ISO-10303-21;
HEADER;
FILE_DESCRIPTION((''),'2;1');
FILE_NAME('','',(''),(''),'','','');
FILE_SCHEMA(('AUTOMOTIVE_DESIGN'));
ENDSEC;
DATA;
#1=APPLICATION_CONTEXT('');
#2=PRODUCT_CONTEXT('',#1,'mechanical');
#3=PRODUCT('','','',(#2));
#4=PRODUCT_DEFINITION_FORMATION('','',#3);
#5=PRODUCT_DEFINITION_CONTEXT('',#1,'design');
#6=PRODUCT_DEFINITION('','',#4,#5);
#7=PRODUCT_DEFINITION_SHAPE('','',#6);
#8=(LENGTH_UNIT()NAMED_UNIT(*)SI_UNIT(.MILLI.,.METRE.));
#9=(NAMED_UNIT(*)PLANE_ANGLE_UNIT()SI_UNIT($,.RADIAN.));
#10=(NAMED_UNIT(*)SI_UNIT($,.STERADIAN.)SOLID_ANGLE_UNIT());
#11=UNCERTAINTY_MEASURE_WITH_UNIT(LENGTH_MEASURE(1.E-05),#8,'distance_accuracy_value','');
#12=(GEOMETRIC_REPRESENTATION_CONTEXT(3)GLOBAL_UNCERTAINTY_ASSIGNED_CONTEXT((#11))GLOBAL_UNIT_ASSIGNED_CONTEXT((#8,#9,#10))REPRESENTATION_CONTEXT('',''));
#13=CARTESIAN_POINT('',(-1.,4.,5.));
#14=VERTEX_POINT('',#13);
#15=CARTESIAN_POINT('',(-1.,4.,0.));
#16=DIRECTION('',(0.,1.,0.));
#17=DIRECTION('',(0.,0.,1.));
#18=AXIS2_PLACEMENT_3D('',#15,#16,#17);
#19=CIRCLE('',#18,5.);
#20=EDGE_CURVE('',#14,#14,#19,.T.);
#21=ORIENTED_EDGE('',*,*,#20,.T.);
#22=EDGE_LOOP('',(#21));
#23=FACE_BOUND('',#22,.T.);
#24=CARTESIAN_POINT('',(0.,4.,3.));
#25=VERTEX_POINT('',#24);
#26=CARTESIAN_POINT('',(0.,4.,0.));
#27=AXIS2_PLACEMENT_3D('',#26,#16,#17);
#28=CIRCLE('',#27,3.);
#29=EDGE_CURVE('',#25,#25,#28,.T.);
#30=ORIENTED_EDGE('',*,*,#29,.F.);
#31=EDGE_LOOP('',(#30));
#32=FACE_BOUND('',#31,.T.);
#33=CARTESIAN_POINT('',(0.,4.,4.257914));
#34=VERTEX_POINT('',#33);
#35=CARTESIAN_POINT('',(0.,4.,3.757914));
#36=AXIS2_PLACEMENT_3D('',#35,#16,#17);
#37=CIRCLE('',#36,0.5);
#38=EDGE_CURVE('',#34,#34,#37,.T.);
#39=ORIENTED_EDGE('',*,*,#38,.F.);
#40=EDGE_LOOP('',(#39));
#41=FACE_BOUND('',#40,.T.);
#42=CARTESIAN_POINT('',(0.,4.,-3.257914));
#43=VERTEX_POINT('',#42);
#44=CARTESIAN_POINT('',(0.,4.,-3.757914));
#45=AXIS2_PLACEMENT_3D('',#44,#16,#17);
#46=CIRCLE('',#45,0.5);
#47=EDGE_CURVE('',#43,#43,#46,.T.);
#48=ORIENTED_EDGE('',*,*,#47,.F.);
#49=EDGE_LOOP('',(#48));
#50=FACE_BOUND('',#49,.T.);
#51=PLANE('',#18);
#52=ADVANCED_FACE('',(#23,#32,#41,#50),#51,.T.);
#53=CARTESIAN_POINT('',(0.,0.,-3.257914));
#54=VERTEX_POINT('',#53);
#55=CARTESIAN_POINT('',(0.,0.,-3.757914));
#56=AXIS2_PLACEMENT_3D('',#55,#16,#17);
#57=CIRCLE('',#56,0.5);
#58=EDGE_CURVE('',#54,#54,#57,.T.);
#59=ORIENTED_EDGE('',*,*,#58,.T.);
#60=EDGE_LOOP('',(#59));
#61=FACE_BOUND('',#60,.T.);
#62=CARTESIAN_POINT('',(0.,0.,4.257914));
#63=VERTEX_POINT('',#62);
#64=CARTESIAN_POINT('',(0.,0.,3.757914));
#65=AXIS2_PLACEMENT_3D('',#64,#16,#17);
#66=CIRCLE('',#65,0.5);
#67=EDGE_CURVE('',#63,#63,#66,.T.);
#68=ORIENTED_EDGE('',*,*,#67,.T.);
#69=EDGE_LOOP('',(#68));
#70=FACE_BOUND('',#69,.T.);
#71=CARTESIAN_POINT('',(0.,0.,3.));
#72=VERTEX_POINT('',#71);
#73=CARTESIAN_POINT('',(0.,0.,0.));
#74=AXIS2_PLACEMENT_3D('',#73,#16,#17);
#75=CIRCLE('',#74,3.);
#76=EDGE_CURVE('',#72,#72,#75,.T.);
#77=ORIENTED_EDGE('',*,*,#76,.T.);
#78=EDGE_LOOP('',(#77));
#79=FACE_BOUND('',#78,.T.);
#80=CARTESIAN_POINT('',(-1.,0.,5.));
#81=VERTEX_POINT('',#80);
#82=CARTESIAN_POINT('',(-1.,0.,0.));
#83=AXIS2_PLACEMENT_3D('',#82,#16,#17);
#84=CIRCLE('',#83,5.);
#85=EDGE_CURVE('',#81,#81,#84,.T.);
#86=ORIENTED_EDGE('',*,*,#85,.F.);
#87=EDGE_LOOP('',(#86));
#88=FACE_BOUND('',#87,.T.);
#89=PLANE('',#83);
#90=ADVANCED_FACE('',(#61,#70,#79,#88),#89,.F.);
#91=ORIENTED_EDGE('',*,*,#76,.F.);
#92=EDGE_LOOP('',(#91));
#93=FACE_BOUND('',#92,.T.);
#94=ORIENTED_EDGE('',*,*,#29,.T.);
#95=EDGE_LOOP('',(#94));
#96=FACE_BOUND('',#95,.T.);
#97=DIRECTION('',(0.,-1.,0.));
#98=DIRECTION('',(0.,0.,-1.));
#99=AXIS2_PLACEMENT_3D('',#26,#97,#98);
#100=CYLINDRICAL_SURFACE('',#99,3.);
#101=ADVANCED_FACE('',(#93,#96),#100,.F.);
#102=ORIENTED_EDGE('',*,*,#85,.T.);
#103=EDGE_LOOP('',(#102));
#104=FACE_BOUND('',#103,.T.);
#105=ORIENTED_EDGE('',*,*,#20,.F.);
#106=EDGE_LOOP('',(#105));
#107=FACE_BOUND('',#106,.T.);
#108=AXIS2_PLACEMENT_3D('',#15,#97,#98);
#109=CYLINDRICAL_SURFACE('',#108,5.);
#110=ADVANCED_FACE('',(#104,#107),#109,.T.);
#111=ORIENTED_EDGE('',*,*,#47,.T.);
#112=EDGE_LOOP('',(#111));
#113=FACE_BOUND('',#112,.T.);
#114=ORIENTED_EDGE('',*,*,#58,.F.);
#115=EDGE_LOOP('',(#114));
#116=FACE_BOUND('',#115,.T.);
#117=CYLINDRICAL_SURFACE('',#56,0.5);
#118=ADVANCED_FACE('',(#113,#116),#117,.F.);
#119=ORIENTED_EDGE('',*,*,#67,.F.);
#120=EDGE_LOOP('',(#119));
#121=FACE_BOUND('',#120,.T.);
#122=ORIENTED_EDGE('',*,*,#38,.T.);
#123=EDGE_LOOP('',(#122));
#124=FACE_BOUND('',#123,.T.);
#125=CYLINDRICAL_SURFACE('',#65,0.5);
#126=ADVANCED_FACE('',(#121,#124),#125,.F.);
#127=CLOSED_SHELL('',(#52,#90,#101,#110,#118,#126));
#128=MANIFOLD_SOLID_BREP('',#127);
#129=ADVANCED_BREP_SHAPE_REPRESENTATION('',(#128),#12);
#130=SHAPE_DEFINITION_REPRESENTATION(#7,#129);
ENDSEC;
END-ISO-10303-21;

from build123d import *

# Parameters (mm, degrees)
SKETCH1_R           = 5
SKETCH1_R_2         = 3
BOSS_EXTRUDE1_DEPTH = 4
SKETCH2_R           = 0.5
CUT_EXTRUDE1_DEPTH  = 5


with BuildPart() as part:
    # Sketch1 → Boss-Extrude1 (new body)
    with BuildSketch(Plane(origin=(0, 0, 0), x_dir=(1, 0, 0), z_dir=(0, 1, 0))):
        with Locations((-1, 0)):
            Circle(SKETCH1_R)
        Circle(SKETCH1_R_2, mode=Mode.SUBTRACT)
    extrude(amount=BOSS_EXTRUDE1_DEPTH)

    # Sketch2 → Cut-Extrude1 (cut, through all)
    with BuildSketch(Plane(origin=(0, 4, 0), x_dir=(1, 0, 0), z_dir=(0, 1, 0))):
        with Locations((0, 3.757913747)):
            Circle(SKETCH2_R)
        with Locations((0, -3.757913747)):
            Circle(SKETCH2_R)
    extrude(amount=-CUT_EXTRUDE1_DEPTH, mode=Mode.SUBTRACT)


solid = part.part
